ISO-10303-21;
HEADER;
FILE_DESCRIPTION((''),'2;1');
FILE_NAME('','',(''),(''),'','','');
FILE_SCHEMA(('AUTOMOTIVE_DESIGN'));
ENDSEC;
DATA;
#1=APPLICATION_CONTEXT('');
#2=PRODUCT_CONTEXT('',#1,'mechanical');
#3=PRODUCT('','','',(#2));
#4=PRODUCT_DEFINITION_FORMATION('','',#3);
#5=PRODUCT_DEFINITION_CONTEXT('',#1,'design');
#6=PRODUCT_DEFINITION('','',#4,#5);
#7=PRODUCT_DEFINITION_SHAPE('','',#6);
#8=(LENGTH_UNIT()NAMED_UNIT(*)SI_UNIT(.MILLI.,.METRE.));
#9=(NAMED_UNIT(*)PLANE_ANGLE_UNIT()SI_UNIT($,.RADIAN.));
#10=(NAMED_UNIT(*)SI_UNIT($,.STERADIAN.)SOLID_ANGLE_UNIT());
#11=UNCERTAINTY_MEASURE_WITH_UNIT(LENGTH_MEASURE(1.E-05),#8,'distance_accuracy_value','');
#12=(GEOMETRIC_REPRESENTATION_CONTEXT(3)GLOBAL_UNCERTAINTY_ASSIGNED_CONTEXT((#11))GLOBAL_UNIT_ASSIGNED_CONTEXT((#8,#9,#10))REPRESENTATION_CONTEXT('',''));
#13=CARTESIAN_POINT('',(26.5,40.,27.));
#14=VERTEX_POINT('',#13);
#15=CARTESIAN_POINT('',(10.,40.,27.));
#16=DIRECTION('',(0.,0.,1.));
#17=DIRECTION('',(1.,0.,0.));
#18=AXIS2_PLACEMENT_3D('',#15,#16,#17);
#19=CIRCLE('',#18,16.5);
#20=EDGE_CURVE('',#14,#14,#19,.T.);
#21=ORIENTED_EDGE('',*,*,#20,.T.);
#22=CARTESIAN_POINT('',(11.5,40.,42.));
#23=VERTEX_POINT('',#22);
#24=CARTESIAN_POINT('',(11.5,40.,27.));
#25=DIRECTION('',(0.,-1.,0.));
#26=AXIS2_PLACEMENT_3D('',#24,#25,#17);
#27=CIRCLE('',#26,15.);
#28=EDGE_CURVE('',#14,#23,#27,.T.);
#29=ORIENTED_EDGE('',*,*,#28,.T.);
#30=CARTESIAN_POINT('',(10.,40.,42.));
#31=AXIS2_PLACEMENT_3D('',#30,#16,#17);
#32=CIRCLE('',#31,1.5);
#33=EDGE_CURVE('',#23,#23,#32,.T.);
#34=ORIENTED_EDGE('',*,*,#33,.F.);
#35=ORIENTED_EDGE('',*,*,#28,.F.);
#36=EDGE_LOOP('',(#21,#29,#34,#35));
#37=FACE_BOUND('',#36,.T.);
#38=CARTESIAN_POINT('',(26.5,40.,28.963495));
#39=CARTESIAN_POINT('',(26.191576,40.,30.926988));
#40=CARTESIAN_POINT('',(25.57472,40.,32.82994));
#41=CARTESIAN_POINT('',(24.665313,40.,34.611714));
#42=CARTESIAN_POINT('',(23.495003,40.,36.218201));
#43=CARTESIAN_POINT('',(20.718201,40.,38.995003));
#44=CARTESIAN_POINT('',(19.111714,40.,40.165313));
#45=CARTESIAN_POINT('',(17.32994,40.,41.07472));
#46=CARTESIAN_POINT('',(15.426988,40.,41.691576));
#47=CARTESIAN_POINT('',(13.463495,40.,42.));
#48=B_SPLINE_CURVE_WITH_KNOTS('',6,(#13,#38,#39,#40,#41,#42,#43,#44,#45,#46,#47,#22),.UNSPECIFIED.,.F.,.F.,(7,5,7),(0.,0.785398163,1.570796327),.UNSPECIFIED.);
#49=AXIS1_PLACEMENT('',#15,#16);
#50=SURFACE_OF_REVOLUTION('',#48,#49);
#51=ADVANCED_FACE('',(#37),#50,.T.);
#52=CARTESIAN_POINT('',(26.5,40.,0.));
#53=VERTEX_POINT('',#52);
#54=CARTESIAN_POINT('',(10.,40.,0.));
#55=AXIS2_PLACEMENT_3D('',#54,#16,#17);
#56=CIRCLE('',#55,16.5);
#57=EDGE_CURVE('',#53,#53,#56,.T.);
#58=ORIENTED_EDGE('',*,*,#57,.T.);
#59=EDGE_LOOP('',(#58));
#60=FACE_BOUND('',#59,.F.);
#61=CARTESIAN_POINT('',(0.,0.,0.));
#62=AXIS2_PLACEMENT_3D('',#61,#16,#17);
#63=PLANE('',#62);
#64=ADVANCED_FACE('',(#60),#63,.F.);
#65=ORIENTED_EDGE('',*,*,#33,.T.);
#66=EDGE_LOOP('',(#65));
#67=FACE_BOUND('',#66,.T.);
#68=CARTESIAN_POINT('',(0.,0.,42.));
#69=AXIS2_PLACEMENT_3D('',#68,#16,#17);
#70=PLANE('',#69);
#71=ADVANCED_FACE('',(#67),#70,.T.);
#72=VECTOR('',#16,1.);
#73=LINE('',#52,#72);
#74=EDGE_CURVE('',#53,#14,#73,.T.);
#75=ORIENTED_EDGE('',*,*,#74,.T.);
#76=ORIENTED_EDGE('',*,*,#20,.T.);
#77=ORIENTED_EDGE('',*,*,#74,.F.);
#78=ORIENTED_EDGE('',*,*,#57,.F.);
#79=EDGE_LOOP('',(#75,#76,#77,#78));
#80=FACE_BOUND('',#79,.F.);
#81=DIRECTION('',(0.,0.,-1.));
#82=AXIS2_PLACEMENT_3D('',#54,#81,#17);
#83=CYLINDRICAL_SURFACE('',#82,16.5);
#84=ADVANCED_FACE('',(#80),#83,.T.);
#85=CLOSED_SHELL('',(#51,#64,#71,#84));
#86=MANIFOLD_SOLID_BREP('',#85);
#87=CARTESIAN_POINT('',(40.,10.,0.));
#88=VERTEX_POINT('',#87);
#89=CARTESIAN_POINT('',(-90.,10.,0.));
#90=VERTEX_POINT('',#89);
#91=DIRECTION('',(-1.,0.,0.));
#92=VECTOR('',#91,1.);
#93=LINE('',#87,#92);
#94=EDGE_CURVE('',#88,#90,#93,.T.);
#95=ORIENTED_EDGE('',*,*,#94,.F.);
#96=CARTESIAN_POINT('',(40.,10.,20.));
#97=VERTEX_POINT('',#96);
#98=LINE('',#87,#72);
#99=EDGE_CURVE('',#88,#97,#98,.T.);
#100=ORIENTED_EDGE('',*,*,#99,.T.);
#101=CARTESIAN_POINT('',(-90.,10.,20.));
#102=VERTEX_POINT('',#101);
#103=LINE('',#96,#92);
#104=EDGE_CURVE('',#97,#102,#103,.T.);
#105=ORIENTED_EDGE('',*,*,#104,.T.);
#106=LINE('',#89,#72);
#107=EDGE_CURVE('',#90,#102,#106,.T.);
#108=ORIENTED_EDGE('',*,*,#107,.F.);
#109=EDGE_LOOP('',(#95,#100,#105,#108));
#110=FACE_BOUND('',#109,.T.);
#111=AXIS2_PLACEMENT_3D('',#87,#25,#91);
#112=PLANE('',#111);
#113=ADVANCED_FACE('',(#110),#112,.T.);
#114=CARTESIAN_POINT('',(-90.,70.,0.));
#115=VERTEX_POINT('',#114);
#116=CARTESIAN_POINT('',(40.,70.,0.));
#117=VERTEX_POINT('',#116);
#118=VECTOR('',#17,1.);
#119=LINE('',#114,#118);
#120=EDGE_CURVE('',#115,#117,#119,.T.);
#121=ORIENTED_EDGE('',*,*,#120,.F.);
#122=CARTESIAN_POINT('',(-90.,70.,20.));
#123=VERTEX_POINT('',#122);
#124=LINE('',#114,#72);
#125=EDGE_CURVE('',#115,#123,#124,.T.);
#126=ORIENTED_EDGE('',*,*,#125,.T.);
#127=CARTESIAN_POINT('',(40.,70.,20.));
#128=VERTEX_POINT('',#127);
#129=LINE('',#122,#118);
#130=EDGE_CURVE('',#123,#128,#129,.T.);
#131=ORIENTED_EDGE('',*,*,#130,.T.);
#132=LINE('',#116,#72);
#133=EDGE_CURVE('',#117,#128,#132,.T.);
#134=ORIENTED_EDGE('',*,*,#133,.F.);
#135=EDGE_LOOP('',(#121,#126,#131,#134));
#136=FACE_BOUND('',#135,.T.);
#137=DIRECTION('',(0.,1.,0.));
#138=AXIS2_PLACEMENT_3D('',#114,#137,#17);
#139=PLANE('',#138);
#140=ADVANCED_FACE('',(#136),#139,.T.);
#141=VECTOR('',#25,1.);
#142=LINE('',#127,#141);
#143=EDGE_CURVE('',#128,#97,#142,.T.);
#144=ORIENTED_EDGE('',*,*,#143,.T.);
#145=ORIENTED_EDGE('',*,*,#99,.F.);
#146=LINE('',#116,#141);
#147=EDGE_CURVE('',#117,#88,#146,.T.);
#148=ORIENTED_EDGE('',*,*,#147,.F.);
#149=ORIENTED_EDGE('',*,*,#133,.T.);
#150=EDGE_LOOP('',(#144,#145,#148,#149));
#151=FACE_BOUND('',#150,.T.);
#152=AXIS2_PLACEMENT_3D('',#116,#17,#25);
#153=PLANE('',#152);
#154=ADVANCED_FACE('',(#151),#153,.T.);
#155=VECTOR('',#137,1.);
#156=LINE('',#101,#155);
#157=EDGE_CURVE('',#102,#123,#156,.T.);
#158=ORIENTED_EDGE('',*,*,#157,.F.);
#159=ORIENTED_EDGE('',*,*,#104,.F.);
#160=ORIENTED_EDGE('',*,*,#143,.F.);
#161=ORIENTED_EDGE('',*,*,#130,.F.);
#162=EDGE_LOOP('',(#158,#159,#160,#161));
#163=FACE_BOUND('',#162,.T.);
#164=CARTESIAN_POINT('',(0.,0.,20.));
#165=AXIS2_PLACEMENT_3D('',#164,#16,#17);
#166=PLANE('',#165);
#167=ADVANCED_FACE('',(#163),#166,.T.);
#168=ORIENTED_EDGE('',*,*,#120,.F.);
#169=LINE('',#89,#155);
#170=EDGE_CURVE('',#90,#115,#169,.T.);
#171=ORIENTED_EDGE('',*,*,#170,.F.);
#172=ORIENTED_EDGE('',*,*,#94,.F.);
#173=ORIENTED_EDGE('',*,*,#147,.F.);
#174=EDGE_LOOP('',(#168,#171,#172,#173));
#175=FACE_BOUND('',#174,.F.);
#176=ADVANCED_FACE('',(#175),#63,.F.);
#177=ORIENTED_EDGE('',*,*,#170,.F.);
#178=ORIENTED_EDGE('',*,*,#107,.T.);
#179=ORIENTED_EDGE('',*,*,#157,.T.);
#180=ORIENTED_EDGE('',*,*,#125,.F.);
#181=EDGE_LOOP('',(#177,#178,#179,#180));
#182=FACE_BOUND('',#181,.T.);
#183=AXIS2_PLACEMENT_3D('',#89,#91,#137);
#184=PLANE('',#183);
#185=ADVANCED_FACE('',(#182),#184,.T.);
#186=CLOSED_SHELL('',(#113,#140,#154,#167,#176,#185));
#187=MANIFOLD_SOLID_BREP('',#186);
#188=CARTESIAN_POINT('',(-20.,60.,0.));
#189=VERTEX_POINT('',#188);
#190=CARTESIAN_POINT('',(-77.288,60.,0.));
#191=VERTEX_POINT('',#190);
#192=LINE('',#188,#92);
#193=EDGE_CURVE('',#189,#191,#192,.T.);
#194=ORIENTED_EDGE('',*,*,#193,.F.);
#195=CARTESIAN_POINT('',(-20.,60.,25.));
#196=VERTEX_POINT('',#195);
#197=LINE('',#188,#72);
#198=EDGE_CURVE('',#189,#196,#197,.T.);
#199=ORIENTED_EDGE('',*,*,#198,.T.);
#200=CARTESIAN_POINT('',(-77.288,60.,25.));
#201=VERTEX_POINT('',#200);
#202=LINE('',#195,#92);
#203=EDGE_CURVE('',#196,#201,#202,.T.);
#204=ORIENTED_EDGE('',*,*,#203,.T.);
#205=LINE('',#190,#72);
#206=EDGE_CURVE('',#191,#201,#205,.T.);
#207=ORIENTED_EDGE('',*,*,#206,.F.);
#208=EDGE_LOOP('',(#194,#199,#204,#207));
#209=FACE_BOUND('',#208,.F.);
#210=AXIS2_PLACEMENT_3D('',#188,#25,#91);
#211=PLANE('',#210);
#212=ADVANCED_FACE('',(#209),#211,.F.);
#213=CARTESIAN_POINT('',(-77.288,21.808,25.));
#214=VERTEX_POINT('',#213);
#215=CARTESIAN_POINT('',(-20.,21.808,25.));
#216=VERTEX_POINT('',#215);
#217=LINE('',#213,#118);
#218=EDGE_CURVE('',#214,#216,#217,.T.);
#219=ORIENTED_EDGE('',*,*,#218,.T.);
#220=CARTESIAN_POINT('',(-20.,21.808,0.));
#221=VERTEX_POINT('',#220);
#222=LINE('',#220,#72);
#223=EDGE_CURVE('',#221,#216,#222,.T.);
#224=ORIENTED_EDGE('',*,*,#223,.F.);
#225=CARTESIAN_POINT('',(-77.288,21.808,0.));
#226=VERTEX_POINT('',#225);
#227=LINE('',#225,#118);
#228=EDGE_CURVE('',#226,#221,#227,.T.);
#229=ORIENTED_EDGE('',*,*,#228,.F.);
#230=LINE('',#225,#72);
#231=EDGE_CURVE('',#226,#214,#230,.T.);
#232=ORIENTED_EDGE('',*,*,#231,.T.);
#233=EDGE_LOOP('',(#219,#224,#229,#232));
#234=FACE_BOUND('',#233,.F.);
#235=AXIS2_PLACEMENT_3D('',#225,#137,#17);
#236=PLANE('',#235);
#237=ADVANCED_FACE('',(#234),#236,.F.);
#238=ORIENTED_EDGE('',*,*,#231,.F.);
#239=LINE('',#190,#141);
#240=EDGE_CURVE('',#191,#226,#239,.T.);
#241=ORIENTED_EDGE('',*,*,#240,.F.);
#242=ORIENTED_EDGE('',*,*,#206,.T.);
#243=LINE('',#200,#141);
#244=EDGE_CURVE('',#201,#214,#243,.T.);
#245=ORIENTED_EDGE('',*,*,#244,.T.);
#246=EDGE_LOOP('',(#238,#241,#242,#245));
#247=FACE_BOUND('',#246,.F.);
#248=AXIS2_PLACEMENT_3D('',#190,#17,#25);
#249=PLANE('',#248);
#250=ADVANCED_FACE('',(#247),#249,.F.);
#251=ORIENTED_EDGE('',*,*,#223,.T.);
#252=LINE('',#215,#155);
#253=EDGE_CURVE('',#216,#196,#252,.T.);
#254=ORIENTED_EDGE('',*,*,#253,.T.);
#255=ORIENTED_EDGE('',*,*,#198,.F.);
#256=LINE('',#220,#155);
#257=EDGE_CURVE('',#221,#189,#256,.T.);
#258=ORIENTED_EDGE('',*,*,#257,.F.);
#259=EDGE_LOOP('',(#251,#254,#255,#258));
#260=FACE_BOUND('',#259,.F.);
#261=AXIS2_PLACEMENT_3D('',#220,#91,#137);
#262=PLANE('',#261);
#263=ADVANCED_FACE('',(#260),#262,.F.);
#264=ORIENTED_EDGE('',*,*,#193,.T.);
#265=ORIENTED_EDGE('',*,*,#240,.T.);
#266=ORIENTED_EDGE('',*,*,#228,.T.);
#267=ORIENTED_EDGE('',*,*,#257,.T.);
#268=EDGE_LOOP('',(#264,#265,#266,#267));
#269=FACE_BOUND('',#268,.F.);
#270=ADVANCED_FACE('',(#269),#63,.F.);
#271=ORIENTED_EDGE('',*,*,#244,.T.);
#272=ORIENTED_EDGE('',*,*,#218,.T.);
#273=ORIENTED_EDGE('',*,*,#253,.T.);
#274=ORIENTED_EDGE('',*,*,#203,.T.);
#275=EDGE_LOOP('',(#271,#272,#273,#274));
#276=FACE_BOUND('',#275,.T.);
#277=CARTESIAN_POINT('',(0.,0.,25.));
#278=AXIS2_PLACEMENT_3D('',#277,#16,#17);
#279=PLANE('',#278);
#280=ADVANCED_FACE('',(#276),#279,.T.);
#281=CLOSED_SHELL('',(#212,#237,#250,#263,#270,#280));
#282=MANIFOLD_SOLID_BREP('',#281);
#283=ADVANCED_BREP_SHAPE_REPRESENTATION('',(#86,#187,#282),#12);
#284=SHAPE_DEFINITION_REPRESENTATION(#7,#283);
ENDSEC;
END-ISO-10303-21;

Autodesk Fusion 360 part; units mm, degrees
sketch "Esquisse1" plane through (0, 0, 0) normal (0, 0, 1) x (1, 0, 0)
  line L0 (-20, 60) -> (-77.288, 60)
  line L1 (-77.288, 60) -> (-77.288, 21.808)
  line L2 (-77.288, 21.808) -> (-20, 21.808)
  line L3 (-20, 21.808) -> (-20, 60)
  dimension "d1" = 57.288
  dimension "d2" = 38.192
sketch "Esquisse2" plane through (0, 0, 0) normal (0, 0, 1) x (1, 0, 0)
  circle A0 centre (10, 40) radius 16.5
  dimension "d3" = 33
sketch "Esquisse3" plane through (0, 0, 0) normal (0, 0, 1) x (1, 0, 0)
  line L0 (-90, 70) -> (40, 70)
  line L1 (40, 70) -> (40, 10)
  line L2 (40, 10) -> (-90, 10)
  line L3 (-90, 10) -> (-90, 70)
extrude "Extrusion1" add sketch "Esquisse2" along normal blind 42 makes body 1
extrude "Extrusion2" add sketch "Esquisse1" along normal blind 25 separate body makes body 2
extrude "Extrusion3" add sketch "Esquisse3" along normal blind 20 separate body makes body 3
fillet "Congé1" radius 15 1 edges at (-5.3834, 34.0333, 42) on bodies 1
